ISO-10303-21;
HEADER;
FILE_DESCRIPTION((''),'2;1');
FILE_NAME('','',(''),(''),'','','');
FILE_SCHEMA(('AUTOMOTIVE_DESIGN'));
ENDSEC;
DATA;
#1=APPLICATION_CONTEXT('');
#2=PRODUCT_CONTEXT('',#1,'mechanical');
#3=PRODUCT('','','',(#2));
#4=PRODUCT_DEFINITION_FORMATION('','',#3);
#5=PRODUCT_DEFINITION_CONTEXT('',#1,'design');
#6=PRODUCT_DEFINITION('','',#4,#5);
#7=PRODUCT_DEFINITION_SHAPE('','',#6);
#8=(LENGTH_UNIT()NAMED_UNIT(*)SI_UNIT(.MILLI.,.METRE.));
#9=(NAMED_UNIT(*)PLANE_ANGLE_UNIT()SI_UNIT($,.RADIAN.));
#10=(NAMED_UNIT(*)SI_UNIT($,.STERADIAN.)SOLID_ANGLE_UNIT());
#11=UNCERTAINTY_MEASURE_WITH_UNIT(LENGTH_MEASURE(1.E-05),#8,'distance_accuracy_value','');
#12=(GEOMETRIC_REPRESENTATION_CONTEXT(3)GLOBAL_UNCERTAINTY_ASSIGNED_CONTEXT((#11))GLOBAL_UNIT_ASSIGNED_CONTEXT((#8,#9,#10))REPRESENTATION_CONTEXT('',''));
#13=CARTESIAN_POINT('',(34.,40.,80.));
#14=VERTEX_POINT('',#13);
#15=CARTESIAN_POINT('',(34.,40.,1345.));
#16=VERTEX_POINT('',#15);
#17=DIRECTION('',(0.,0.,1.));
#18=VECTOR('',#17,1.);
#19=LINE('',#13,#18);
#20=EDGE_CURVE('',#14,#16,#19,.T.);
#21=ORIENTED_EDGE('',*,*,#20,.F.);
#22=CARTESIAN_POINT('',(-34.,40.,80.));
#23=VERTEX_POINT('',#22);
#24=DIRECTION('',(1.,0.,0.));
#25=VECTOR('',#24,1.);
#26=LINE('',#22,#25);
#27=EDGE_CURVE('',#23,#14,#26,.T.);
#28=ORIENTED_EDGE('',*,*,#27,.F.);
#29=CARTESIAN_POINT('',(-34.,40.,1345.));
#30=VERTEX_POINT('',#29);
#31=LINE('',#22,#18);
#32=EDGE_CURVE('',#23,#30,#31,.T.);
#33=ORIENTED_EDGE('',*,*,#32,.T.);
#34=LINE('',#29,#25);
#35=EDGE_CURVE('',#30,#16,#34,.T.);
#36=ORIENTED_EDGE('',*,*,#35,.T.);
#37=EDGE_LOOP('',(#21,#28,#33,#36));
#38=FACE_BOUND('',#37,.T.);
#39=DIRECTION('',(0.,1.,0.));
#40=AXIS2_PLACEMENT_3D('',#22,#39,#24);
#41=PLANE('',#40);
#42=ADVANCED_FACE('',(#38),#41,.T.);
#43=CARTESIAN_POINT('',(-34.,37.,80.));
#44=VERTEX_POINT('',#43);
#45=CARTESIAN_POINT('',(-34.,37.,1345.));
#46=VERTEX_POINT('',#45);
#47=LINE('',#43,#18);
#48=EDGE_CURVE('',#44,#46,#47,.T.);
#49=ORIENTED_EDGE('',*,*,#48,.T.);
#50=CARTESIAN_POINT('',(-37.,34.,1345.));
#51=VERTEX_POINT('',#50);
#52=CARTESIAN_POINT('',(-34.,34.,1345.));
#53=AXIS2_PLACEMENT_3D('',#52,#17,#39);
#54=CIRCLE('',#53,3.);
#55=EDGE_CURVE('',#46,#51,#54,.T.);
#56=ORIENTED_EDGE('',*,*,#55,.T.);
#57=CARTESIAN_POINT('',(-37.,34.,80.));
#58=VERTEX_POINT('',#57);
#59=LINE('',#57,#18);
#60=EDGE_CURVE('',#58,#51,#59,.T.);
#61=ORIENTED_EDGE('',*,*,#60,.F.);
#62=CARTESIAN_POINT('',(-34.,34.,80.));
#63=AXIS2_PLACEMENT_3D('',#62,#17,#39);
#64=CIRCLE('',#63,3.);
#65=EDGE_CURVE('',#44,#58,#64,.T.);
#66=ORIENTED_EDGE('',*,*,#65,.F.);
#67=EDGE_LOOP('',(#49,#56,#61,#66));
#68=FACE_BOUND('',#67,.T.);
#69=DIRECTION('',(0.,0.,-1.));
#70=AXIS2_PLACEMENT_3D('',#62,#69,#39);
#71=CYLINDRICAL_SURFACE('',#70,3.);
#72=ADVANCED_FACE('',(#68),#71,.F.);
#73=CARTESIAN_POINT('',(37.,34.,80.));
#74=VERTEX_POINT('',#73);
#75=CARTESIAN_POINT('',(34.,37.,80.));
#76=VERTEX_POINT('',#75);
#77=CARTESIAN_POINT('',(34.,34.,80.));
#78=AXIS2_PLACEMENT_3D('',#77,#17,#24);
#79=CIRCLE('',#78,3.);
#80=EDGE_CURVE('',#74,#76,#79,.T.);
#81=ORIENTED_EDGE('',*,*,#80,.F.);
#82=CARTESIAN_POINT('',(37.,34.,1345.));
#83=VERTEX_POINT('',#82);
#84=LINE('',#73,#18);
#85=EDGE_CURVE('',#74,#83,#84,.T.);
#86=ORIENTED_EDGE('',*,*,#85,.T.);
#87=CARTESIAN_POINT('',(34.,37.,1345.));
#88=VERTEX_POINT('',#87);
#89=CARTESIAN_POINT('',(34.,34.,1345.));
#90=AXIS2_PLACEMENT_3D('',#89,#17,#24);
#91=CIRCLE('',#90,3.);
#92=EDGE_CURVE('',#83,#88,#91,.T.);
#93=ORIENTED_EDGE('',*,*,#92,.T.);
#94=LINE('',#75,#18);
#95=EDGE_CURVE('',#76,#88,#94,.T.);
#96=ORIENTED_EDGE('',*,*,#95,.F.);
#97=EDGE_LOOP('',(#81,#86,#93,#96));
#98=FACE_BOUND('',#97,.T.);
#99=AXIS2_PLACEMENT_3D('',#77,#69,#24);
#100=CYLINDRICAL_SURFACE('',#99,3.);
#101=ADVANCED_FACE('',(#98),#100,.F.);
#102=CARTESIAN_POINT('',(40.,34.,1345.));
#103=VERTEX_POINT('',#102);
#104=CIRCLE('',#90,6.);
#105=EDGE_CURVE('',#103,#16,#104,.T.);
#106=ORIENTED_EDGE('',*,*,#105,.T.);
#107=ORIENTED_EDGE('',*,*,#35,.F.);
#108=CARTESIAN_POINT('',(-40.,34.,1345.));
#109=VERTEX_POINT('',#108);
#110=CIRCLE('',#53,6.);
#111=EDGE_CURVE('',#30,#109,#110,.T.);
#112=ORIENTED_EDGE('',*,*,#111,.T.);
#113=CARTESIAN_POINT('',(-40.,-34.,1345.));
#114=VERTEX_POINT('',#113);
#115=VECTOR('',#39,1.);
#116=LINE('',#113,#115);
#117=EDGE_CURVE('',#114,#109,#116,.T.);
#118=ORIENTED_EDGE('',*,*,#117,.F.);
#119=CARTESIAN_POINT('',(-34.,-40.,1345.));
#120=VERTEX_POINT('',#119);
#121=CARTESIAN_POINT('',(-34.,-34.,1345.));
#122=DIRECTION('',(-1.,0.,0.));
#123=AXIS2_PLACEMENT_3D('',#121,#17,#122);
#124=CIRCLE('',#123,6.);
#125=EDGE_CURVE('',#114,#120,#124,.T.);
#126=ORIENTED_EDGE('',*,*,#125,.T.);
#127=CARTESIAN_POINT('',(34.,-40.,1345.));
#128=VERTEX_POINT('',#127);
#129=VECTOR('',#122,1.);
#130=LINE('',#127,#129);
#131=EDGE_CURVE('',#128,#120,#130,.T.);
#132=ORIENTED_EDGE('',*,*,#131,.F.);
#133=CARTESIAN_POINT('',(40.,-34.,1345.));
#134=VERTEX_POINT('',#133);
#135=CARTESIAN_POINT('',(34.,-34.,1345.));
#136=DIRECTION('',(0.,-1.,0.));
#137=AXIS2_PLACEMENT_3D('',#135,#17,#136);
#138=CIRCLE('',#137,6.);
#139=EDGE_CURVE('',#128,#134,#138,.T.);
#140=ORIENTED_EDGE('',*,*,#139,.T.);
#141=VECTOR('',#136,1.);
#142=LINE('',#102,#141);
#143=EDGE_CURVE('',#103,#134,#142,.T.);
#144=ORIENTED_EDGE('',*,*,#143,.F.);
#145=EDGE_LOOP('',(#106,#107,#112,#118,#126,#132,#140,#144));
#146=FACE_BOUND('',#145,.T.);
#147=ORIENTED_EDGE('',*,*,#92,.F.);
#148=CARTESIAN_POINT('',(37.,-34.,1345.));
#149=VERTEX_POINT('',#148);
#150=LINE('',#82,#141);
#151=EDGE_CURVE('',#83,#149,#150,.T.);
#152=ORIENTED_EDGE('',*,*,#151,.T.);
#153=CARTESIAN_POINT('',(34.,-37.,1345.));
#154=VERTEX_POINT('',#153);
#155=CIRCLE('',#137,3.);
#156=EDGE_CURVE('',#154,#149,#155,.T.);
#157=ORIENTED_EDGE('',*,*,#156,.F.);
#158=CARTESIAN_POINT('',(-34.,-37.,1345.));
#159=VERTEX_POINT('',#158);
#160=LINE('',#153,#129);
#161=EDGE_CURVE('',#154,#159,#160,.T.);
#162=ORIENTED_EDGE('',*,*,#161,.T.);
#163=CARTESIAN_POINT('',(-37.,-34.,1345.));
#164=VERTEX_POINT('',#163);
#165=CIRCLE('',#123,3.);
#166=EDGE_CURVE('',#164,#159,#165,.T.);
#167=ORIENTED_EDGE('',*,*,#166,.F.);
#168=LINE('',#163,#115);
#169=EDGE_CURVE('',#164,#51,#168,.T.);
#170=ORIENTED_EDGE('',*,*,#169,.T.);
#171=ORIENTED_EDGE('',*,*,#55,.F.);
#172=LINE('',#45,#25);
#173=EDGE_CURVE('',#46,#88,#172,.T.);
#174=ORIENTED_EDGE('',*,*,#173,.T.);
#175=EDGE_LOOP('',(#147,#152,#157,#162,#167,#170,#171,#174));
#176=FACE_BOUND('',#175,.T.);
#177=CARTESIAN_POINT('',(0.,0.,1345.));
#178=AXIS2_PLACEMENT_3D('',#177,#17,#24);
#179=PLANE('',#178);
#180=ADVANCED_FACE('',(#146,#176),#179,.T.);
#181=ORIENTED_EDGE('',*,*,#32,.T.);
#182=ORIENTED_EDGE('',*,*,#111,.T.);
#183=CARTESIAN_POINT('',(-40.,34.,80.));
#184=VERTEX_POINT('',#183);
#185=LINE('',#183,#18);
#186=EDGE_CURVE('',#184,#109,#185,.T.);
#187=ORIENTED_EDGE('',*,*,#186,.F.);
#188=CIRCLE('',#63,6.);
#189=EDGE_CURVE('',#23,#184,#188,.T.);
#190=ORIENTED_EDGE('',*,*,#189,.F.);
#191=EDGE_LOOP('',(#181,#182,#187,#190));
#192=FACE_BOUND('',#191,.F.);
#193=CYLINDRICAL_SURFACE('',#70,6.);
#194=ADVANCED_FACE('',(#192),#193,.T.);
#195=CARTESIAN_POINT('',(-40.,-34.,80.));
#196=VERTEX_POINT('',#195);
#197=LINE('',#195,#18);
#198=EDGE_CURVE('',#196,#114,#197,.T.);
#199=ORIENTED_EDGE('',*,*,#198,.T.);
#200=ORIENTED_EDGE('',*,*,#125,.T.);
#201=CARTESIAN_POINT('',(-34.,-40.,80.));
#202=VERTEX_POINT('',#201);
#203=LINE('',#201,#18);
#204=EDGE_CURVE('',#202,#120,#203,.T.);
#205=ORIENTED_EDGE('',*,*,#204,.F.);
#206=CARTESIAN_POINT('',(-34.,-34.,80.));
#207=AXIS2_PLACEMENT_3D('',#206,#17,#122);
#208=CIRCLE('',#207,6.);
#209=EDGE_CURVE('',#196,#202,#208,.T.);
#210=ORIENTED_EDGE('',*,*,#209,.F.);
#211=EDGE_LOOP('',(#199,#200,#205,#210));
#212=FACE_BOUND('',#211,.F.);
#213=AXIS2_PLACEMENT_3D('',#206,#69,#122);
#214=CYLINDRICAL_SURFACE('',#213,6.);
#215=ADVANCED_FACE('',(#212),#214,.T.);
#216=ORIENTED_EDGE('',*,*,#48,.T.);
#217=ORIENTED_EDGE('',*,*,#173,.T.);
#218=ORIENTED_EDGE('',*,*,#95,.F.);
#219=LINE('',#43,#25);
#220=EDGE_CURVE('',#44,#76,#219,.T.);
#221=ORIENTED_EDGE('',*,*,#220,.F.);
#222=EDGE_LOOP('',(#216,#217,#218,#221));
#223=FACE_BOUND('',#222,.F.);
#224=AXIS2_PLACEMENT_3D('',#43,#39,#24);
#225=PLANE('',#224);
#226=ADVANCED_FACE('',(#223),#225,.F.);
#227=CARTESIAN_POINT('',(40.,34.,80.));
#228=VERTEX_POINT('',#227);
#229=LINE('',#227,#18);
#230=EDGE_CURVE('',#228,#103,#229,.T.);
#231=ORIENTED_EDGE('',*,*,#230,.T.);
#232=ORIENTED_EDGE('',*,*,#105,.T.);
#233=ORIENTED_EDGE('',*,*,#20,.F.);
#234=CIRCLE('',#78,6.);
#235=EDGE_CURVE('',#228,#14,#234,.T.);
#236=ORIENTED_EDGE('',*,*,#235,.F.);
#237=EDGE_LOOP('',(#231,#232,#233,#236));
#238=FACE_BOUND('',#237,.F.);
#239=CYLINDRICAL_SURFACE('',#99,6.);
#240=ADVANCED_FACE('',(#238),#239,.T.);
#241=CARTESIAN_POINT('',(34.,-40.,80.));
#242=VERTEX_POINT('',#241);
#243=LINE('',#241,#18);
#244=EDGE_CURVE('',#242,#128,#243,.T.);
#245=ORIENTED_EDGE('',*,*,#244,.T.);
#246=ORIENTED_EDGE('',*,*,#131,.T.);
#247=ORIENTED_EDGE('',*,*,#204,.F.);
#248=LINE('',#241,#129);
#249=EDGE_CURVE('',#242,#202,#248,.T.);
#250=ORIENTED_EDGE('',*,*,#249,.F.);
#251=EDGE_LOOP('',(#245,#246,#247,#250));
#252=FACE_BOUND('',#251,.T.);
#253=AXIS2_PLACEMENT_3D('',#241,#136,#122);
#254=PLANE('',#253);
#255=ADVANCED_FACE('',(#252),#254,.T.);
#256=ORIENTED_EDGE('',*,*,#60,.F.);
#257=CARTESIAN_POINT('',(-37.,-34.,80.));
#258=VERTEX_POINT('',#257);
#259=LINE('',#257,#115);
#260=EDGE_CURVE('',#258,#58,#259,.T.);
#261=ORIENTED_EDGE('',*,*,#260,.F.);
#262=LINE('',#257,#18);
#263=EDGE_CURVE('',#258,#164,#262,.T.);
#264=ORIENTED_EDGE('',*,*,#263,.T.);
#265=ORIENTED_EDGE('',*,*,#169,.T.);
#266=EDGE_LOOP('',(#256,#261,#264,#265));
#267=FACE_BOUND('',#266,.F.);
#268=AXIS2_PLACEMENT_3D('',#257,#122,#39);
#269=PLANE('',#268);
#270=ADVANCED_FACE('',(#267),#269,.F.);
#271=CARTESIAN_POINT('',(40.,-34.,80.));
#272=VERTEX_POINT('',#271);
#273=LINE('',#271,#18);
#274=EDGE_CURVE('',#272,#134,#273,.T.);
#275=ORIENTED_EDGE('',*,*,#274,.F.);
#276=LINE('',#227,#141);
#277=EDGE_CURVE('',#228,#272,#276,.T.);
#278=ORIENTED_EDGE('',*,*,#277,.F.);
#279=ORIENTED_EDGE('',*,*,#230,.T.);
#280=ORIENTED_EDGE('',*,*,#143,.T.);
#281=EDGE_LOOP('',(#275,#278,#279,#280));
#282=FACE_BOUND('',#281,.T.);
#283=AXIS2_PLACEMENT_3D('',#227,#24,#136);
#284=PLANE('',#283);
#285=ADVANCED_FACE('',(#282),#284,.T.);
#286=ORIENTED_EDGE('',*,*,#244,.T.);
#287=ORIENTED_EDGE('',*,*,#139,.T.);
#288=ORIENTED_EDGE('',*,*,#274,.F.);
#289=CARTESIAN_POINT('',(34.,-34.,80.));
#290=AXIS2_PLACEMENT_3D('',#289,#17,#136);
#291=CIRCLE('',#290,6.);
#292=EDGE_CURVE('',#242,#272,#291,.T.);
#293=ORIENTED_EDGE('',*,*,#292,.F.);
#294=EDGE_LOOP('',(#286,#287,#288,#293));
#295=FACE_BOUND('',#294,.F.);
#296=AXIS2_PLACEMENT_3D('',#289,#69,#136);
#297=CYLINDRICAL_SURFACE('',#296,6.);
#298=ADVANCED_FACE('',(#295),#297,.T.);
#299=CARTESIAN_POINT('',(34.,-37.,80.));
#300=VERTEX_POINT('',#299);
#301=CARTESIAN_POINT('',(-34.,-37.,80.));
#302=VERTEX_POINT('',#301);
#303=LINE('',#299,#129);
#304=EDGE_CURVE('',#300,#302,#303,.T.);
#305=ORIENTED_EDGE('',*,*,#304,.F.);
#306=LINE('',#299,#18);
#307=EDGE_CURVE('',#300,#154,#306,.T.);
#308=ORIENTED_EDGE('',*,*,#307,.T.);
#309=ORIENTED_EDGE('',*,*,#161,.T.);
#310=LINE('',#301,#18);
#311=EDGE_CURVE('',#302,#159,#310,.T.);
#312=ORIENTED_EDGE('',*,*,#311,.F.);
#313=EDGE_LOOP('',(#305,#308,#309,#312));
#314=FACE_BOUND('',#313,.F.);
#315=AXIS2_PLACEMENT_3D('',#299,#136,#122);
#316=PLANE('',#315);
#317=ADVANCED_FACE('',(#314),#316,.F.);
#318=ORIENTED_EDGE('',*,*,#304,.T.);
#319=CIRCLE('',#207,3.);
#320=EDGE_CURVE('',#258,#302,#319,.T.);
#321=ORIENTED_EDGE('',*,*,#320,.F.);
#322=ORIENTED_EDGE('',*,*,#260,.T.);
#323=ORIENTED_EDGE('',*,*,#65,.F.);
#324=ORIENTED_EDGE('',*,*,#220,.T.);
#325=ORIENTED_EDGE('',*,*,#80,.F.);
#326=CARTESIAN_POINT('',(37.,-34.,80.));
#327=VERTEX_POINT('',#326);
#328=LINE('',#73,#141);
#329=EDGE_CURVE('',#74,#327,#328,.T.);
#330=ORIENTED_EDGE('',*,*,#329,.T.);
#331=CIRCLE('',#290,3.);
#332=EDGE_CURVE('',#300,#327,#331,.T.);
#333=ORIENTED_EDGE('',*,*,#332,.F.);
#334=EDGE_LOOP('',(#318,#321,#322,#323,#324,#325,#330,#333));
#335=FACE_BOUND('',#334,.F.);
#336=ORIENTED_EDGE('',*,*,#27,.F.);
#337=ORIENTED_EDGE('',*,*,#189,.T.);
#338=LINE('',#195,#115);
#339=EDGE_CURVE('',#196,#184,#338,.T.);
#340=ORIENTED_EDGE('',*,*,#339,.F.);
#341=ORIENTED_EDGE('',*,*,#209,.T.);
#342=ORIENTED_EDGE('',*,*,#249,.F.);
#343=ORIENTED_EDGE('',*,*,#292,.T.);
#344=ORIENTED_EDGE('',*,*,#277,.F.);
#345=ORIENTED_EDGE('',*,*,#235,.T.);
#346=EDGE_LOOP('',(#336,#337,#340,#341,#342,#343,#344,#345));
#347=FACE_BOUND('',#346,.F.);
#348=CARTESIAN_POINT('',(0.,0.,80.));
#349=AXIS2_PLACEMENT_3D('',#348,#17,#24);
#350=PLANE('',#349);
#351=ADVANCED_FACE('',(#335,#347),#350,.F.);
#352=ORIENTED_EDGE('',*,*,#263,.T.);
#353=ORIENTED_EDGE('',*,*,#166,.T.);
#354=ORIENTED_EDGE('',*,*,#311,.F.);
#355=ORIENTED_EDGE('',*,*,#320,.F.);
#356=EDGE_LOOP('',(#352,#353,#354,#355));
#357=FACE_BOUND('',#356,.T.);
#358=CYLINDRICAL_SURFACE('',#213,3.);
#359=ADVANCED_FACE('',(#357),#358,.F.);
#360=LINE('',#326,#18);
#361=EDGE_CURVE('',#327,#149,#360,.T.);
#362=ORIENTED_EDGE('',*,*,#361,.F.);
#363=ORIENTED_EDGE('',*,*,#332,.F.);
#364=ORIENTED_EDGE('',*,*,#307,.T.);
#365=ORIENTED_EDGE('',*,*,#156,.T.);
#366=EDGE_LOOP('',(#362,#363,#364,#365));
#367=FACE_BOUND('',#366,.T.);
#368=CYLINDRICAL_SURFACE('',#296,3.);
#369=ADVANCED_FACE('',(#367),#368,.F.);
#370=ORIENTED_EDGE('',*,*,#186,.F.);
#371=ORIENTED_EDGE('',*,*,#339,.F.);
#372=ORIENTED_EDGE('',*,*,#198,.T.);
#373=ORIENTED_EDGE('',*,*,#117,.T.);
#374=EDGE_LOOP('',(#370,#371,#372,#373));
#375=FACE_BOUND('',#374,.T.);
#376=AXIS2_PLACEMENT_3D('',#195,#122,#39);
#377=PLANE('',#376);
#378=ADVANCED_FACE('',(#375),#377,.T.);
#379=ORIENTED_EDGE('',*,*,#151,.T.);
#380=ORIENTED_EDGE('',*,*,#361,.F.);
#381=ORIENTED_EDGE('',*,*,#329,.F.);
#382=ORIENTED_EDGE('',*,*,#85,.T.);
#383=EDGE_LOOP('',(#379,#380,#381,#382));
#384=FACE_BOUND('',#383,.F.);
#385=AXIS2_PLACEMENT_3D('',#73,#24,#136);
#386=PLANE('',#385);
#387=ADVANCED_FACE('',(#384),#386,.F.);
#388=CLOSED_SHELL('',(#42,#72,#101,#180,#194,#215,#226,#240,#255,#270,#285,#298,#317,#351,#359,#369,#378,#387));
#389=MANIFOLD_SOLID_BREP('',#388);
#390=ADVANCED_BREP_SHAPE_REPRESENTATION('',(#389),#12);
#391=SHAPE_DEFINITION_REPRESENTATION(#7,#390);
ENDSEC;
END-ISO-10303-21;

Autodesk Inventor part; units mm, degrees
ref_plane "YZ Plane" through (0, 0, 0) normal (1, 0, 0) x (0, 1, 0)
ref_plane "Start Plane" through (0, 0, 80) normal (0, 0, 1) x (1, 0, 0)
ref_plane "End Plane" through (0, 0, 1345) normal (0, 0, 1) x (1, 0, 0)
sketch "Sketch" plane through (0, 0, 0) normal (0, 0, 1) x (1, 0, 0)
  line L0 (-40, -34) -> (-40, 34)
  line L1 (-34, 40) -> (34, 40)
  line L2 (40, 34) -> (40, -34)
  line L3 (34, -40) -> (-34, -40)
  arc A0 (-40, -34) -> (-34, -40) centre (-34, -34) ccw
  arc A1 (40, 34) -> (34, 40) centre (34, 34) ccw
  arc A2 (-34, 40) -> (-40, 34) centre (-34, 34) ccw
  arc A3 (34, -40) -> (40, -34) centre (34, -34) ccw
  arc A4 (-34, 37) -> (-37, 34) centre (-34, 34) ccw
  line L4 (-34, 37) -> (34, 37)
  arc A5 (37, 34) -> (34, 37) centre (34, 34) ccw
  line L5 (37, 34) -> (37, -34)
  arc A6 (34, -37) -> (37, -34) centre (34, -34) ccw
  line L6 (34, -37) -> (-34, -37)
  arc A7 (-37, -34) -> (-34, -37) centre (-34, -34) ccw
  line L7 (-37, -34) -> (-37, 34)
  line L8 (0, 57.7397) -> (0, -57.7397) construction
  line L9 (-57.7397, 0) -> (57.7397, 0) construction
  dimension "d7" = 6
  dimension "d9" = 80
  dimension "d11" = 80
  dimension "d12" = 3
  dimension "d15" = 40
  dimension "d16" = 40
extrude "Body" add sketch "Sketch" along normal up to surface (1265 mm away) from surface at 80
sketch "Sketch3" plane through (0, 0, 0) normal (0, 0, 1) x (1, 0, 0)
  line L0 (0, 0) -> (10, 0)
ref_plane "Work Plane3" through (0, 0, 0) normal (0, -1, 0) x (1, 0, 0)
sketch "Sketch4" plane through (0, 0, 0) normal (0, -1, 0) x (1, 0, 0)
  line L0 (-2, 80) -> (12, 80) projected
  line L1 (-2, 1345) -> (12, 1345) projected
  dimension "d18" = 1265
equation "\"d7\" = G_IR"
equation "\"d9\" = G_W"
equation "\"d11\" = G_H"
equation "\"d12\" = G_T"
equation "\"d15\" = 0.5 * d9"
equation "\"d16\" = 0.5 * d11"
equation "\"d3\" = G_L"
equation "\"G_W\" = 80"
equation "\"G_H\" = 80"
equation "\"G_T\" = 3"
equation "\"G_IR\" = 6"
equation "\"G_L\" = d18"
equation "\"d14\" = G_OFFSET_END + B_L"
equation "\"B_L\" = 1425"
equation "\"G_OFFSET_END\" = -80"
properties part number "ISO 10799-2 - 80x80x3 - 1265" material "Steel, Mild"
